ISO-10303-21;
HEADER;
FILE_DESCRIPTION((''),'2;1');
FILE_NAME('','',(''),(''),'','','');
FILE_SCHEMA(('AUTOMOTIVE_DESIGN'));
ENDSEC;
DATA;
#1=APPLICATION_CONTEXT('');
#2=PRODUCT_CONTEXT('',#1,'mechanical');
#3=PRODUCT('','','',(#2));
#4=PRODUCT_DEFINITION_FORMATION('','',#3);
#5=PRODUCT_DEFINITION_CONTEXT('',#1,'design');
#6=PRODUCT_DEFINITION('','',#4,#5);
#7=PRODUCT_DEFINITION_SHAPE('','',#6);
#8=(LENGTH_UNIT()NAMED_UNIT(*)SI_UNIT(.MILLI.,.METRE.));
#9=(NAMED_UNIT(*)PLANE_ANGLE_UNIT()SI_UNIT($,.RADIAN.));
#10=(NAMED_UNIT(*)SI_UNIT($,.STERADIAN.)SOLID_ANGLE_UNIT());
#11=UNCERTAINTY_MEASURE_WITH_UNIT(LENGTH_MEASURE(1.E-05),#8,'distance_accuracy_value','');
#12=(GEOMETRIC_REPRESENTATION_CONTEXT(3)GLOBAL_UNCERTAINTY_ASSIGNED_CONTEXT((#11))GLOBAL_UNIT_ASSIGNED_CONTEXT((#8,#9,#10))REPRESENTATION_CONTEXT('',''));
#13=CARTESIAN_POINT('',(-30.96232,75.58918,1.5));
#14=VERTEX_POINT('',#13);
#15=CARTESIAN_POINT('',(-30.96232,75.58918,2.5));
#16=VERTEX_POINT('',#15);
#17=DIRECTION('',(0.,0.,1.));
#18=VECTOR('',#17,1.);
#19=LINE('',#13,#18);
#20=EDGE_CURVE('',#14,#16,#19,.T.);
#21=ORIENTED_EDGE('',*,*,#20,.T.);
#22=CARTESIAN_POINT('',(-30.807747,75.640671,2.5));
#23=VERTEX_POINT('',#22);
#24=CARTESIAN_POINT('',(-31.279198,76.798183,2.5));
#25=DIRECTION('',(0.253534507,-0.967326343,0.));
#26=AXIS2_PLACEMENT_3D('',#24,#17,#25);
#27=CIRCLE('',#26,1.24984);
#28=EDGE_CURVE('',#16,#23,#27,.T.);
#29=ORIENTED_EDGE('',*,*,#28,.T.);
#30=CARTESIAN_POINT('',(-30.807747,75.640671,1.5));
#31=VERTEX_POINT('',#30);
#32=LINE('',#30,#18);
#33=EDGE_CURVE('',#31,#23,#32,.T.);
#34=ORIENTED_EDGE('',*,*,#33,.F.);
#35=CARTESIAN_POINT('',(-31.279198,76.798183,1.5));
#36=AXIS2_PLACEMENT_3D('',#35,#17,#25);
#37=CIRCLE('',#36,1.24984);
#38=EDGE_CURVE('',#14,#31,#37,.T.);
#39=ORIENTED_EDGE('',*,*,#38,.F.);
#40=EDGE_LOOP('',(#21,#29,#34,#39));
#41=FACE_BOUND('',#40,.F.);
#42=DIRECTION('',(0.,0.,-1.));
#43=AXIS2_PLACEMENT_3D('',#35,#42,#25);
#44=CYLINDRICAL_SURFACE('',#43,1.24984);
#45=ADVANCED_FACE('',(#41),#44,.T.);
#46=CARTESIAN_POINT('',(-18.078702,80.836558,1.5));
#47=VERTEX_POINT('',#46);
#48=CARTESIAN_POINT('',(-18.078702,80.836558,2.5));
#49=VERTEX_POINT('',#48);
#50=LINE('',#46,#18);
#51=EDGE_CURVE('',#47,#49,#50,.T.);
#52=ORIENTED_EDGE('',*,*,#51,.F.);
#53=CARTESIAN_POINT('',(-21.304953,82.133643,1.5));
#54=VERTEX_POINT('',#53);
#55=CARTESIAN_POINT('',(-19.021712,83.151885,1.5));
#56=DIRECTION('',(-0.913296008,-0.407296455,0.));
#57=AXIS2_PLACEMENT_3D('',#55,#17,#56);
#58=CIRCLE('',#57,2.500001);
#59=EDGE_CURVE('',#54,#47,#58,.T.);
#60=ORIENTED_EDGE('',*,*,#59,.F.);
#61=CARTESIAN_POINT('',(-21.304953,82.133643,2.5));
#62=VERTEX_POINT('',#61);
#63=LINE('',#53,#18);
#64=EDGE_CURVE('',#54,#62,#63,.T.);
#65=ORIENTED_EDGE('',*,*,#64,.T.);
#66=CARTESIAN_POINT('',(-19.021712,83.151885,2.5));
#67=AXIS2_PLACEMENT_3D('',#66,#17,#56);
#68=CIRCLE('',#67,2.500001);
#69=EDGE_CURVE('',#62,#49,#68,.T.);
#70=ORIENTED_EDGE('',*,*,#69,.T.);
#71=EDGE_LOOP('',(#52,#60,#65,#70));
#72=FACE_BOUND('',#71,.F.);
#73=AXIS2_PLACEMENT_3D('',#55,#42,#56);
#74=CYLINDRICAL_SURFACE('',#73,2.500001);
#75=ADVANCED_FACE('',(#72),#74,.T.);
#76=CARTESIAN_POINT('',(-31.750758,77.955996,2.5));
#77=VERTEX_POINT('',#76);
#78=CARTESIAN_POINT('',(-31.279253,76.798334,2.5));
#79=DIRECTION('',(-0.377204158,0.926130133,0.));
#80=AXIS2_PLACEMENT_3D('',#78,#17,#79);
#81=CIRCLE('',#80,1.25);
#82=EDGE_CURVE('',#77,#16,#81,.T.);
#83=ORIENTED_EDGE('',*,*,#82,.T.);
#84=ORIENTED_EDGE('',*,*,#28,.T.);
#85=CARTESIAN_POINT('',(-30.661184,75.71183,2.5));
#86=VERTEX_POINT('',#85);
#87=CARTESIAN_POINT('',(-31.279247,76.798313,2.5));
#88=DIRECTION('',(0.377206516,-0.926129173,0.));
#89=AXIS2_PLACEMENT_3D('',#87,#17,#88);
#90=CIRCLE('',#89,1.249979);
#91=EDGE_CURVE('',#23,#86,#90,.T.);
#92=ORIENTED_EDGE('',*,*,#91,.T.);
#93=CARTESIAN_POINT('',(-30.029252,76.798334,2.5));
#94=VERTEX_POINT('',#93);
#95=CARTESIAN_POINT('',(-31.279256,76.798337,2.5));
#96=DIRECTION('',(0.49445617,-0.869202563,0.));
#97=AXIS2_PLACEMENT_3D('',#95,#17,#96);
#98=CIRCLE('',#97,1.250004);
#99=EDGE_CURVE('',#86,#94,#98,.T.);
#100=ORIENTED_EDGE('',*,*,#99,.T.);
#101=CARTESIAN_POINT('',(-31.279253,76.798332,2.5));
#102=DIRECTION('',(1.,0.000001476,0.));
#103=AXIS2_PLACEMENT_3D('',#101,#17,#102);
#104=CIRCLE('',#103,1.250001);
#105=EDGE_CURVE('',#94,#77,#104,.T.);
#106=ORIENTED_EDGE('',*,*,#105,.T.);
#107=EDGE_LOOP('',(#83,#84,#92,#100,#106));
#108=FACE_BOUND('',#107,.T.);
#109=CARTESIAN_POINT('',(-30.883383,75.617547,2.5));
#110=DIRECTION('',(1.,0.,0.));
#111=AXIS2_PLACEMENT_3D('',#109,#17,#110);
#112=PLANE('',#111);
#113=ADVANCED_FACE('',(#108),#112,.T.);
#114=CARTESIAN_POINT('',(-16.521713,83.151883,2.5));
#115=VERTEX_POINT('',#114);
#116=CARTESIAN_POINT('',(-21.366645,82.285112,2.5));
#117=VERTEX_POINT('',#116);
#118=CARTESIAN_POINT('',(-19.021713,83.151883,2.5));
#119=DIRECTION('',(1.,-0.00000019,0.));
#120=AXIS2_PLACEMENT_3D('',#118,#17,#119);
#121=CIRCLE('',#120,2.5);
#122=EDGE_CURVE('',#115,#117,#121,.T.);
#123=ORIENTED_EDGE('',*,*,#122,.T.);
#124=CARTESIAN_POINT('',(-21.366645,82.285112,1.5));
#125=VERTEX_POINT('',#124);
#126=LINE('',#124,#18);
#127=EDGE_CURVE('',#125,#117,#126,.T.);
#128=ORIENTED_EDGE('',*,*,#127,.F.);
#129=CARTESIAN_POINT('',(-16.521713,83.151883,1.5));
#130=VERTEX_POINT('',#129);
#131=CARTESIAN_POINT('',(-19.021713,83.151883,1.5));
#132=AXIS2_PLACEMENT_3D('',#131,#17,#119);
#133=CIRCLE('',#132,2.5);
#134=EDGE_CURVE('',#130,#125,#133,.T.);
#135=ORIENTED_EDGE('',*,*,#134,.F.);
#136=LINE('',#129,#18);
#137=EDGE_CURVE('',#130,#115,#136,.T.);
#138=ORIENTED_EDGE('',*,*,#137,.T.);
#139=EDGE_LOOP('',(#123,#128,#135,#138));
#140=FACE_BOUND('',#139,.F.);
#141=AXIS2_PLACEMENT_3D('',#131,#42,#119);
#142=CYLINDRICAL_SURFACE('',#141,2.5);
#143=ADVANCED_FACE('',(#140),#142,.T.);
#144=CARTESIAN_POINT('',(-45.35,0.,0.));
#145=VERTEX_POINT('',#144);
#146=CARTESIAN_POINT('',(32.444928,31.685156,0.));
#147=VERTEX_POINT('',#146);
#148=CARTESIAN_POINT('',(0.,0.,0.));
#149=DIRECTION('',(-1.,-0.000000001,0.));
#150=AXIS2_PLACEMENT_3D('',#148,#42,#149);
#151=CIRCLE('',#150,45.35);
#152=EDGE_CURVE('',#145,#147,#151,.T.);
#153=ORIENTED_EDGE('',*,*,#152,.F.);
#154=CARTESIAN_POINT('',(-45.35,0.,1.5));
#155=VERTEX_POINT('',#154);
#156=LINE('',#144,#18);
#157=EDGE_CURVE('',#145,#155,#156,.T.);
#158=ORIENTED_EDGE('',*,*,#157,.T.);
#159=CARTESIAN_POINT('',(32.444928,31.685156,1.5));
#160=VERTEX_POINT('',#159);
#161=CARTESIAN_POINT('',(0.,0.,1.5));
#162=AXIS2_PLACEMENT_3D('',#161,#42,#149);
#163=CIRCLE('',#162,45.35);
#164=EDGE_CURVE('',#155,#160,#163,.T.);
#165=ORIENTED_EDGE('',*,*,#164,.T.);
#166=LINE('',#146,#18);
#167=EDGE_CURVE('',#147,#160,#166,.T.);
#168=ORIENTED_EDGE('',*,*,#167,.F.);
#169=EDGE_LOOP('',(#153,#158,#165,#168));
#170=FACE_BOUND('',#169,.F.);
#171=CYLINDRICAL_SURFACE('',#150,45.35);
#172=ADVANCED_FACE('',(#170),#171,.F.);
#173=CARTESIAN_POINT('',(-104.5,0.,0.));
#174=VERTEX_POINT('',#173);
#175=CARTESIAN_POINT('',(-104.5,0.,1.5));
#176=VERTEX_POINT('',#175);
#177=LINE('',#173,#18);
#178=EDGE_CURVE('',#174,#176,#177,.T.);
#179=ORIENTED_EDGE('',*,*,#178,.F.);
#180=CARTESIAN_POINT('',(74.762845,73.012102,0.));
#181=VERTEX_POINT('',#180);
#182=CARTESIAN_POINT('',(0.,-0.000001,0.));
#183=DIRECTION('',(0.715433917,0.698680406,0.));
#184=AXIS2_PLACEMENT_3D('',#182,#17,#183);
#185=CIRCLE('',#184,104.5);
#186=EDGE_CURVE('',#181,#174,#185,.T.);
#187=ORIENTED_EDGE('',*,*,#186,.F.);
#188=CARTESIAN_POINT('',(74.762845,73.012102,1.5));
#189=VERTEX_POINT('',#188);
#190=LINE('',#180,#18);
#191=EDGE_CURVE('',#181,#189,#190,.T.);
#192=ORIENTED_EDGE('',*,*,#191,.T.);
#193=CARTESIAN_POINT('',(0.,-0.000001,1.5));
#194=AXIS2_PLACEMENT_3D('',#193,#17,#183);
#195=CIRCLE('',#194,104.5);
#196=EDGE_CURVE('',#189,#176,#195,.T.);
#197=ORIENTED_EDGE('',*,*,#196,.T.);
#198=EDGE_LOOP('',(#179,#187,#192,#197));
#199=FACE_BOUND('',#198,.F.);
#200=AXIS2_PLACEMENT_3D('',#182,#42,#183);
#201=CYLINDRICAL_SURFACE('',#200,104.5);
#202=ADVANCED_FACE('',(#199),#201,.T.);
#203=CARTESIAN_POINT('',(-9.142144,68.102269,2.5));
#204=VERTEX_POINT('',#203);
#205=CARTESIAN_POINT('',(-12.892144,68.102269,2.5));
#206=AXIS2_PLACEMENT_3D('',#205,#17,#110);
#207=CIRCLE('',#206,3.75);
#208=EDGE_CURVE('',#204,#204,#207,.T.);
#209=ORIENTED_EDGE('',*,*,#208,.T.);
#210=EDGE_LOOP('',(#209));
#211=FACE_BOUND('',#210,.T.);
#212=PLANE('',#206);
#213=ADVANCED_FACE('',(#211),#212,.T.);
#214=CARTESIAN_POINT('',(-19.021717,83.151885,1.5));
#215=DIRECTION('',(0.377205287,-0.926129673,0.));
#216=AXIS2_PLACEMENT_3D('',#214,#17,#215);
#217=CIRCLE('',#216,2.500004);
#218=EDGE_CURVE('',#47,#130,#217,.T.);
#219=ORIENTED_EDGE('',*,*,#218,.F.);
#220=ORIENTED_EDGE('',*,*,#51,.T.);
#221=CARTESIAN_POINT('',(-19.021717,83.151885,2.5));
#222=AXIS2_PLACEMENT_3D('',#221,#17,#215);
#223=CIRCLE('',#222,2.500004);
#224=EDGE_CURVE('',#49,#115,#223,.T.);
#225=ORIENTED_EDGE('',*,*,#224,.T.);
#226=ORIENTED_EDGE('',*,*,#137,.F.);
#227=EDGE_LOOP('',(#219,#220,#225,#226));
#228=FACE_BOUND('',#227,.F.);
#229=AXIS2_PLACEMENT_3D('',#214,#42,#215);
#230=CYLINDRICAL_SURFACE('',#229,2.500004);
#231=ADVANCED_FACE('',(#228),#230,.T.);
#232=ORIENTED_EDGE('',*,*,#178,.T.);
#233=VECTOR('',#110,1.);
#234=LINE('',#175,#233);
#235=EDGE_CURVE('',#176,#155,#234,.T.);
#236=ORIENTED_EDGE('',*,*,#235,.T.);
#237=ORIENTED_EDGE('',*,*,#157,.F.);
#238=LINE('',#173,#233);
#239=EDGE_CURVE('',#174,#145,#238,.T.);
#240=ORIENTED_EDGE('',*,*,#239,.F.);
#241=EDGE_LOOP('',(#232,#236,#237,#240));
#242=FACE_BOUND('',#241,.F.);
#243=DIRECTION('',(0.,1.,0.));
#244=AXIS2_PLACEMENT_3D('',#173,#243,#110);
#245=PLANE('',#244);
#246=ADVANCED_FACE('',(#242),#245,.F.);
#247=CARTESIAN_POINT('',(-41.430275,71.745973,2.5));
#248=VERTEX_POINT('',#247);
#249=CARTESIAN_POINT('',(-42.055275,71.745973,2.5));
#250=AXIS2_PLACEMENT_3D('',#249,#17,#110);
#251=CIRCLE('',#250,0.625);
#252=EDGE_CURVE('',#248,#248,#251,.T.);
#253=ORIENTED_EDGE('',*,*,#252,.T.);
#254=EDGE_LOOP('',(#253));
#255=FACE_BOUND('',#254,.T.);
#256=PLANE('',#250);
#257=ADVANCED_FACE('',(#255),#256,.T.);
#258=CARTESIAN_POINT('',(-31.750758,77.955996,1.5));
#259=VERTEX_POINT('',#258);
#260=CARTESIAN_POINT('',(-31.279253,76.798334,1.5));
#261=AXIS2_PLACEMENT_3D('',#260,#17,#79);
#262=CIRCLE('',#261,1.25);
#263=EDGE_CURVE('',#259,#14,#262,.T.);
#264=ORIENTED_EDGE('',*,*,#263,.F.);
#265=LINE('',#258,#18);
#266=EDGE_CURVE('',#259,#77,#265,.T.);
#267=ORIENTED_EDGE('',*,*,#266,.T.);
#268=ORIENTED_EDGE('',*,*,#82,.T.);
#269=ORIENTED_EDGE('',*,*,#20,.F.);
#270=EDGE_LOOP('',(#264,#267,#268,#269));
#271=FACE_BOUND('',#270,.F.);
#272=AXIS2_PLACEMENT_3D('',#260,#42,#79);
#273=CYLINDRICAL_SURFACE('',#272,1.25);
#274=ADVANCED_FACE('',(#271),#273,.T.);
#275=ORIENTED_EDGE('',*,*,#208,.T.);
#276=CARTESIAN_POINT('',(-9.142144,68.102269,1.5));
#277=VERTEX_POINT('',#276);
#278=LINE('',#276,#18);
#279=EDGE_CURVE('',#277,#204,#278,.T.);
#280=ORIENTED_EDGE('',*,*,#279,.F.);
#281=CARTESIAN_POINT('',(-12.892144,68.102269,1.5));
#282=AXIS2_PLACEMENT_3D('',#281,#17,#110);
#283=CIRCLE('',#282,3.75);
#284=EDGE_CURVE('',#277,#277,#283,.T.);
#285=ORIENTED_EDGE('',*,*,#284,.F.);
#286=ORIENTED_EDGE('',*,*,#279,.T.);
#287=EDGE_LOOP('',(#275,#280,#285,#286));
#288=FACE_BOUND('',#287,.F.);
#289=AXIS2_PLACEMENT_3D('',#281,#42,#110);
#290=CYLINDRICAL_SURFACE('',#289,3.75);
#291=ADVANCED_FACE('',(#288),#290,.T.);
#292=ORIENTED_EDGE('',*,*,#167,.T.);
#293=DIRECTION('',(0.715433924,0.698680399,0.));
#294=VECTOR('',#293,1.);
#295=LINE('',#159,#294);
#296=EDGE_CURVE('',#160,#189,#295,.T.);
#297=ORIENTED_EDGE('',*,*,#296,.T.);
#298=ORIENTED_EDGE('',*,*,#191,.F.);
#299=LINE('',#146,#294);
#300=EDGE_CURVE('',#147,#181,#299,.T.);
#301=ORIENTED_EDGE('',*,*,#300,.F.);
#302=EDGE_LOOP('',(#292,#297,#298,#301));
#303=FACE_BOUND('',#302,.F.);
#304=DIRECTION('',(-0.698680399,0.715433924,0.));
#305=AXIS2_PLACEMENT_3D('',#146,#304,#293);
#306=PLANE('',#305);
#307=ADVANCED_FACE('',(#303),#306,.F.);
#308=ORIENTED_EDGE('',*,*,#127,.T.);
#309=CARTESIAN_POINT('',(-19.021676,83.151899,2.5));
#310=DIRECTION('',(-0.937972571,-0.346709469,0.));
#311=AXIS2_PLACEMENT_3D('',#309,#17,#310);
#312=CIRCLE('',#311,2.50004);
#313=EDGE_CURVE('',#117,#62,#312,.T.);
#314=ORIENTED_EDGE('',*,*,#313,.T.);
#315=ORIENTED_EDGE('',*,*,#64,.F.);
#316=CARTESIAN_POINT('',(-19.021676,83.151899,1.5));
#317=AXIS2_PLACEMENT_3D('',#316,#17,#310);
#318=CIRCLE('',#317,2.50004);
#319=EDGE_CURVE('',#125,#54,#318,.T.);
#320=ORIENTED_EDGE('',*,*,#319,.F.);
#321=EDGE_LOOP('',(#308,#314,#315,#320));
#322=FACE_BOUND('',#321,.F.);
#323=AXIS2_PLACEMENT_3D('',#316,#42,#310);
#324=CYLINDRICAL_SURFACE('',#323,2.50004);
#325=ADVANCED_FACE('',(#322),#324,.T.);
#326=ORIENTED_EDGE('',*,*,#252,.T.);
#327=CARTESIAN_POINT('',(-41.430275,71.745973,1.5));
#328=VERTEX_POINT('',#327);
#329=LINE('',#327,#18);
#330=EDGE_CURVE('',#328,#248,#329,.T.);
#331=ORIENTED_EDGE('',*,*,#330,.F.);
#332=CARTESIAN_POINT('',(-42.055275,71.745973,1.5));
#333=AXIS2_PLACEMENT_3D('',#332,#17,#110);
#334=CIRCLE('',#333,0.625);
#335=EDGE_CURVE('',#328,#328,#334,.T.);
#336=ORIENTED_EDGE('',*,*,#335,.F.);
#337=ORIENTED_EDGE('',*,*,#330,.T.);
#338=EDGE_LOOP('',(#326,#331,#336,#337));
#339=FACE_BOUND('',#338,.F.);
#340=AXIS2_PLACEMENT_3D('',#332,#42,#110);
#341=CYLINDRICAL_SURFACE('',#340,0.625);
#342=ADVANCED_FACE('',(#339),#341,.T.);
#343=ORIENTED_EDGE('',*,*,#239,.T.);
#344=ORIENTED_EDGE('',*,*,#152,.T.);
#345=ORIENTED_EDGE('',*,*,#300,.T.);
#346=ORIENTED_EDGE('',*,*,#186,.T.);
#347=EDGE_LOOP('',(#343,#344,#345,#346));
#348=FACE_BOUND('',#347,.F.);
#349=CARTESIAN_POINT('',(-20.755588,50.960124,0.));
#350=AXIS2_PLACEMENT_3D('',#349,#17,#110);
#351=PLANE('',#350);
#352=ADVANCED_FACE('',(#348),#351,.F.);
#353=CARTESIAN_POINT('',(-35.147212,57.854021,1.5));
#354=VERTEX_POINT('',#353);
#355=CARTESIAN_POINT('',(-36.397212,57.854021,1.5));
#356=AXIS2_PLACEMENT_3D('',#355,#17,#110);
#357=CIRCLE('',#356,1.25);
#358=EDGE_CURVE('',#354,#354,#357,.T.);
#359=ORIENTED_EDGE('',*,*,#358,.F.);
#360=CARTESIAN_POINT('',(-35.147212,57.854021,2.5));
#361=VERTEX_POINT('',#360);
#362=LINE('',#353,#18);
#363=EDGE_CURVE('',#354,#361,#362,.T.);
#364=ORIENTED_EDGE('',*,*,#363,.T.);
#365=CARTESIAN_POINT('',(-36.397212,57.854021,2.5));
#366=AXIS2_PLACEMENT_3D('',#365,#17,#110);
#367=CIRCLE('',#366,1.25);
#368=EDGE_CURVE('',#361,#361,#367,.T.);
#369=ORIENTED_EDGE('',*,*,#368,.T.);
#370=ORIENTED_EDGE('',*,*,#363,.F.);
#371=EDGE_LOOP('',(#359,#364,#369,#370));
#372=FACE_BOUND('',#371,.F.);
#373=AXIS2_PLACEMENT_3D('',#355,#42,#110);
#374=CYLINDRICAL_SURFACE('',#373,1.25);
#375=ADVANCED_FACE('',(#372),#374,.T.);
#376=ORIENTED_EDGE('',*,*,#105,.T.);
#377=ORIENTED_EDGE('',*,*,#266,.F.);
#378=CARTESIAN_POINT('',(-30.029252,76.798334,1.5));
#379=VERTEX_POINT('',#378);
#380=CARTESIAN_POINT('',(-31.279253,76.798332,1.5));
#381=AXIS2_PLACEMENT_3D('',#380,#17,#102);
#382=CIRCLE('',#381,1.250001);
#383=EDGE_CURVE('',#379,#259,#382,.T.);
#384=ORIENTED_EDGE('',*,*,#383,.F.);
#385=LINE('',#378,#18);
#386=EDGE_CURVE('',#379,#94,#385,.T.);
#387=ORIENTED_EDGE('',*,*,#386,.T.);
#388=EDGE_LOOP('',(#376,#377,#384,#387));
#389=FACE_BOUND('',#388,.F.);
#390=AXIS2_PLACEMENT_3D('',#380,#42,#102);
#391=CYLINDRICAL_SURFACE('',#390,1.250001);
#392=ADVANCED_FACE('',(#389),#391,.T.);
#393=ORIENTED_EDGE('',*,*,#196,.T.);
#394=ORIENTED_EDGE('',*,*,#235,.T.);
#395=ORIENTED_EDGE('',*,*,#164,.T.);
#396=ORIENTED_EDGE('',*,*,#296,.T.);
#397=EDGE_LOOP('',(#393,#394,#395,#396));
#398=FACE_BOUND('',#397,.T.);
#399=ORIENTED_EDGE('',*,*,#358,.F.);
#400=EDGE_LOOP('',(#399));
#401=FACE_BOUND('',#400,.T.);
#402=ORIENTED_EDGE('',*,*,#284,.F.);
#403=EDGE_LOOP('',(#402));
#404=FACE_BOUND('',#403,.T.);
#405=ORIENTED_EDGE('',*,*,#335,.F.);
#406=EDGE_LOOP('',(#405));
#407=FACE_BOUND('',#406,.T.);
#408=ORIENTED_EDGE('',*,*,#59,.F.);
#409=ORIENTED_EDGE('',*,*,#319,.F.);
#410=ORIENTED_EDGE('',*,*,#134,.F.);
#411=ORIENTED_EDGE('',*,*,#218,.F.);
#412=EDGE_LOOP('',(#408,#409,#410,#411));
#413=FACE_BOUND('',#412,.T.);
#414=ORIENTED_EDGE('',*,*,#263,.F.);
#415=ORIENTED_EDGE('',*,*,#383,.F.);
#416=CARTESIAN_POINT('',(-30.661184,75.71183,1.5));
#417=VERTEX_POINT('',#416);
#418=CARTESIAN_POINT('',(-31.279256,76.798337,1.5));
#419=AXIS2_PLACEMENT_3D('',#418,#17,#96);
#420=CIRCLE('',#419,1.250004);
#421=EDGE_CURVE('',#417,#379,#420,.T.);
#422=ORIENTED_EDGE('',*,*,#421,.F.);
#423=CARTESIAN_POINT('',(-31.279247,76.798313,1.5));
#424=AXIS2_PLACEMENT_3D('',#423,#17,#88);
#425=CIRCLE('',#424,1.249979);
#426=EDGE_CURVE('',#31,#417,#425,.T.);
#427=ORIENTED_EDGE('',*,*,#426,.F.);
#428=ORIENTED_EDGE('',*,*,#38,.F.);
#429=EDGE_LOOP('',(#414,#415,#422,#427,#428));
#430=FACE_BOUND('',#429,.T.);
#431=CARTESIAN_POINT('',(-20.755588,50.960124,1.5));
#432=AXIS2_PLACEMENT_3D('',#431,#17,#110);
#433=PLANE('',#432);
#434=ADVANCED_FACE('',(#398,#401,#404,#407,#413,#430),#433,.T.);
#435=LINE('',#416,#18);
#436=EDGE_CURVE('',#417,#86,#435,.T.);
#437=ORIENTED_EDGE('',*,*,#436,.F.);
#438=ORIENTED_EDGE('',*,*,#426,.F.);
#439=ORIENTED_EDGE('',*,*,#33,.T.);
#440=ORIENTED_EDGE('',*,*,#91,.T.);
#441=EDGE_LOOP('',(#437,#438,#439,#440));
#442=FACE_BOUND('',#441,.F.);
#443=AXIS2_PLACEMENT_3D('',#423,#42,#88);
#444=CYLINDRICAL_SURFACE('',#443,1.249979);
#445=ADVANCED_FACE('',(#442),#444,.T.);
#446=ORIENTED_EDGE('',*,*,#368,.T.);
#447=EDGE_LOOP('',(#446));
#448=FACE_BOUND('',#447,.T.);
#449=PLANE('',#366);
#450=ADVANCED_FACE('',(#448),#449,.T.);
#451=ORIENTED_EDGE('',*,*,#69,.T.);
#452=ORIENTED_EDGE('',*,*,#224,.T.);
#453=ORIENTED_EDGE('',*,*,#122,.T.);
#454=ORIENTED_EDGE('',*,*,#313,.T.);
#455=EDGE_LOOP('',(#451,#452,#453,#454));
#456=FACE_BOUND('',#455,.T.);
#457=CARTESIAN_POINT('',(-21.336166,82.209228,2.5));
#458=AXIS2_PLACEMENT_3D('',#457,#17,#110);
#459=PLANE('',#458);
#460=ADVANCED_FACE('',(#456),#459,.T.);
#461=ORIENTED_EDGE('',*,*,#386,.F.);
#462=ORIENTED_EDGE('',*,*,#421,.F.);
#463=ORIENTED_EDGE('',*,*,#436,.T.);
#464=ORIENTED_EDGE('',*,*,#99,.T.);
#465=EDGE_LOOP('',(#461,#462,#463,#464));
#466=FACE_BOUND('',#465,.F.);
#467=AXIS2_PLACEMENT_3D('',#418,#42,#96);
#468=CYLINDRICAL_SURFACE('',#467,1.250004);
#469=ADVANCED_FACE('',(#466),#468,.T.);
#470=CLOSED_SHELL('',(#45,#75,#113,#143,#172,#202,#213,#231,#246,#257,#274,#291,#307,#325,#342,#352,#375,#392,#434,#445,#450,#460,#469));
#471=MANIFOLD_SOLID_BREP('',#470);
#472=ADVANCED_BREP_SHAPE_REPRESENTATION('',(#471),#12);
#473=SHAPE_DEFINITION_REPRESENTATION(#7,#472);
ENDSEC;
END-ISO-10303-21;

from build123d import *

# Parameters (mm, degrees)
F1_DEPTH = 1.5
F2_R     = 0.625
F2_R_2   = 1.25
F2_R_3   = 3.75
F3_DEPTH = 1


with BuildPart() as f1:
    # F0 (on Top) → F1 (new body)
    with BuildSketch(Plane.XY):
        with BuildLine():
            Line((32.444928, 31.685156), (74.762845, 73.012102))
            ThreePointArc((74.762845, 73.012102), (-39.417843, 96.780595), (-104.5, 0))
            Line((-104.5, 0), (-45.35, 0))
            ThreePointArc((-45.35, 0), (-17.106212, 42), (32.444928, 31.685156))
        make_face()
    extrude(amount=F1_DEPTH)

    # F2 (on face) → F3 (join)
    with BuildSketch(Plane.XY.offset(1.5)):
        with BuildLine():
            ThreePointArc((-30.96232, 75.58918), (-30.884194, 75.612404), (-30.807747, 75.640671))
            Line((-30.807747, 75.640671), (-30.811752, 75.650505))
            Line((-30.811752, 75.650505), (-30.96232, 75.58918))
        make_face()
        with BuildLine():
            Line((-30.811752, 75.650505), (-30.807747, 75.640671))
            ThreePointArc((-30.807747, 75.640671), (-30.733305, 75.67386), (-30.661184, 75.71183))
            Line((-30.661184, 75.71183), (-30.811752, 75.650505))
        make_face()
        with BuildLine():
            Line((-30.96232, 75.58918), (-30.811752, 75.650505))
            Line((-30.811752, 75.650505), (-31.750758, 77.955996))
            ThreePointArc((-31.750758, 77.955996), (-32.465182, 76.403275), (-30.96232, 75.58918))
        make_face()
        with BuildLine():
            Line((-31.750758, 77.955996), (-30.811752, 75.650505))
            Line((-30.811752, 75.650505), (-30.661184, 75.71183))
            ThreePointArc((-30.661184, 75.71183), (-30.198724, 76.169878), (-30.029252, 76.798334))
            ThreePointArc((-30.029252, 76.798334), (-30.581715, 77.835609), (-31.750758, 77.955996))
        make_face()
        with BuildLine():
            ThreePointArc((-21.366645, 82.285112), (-21.337038, 82.208873), (-21.304953, 82.133643))
            Line((-21.304953, 82.133643), (-21.366645, 82.285112))
        make_face()
        with BuildLine():
            Line((-21.366645, 82.285112), (-21.304953, 82.133643))
            ThreePointArc((-21.304953, 82.133643), (-19.954269, 80.832328), (-18.078702, 80.836558))
            ThreePointArc((-18.078702, 80.836558), (-16.947162, 81.756808), (-16.521713, 83.151883))
            ThreePointArc((-16.521713, 83.151883), (-19.46198, 85.612811), (-21.366645, 82.285112))
        make_face()
        with Locations((-42.055275, 71.745973)):
            Circle(F2_R)
        with Locations((-36.397212, 57.854021)):
            Circle(F2_R_2)
        with Locations((-12.892144, 68.102269)):
            Circle(F2_R_3)
    extrude(amount=F3_DEPTH)


solid = f1.part
